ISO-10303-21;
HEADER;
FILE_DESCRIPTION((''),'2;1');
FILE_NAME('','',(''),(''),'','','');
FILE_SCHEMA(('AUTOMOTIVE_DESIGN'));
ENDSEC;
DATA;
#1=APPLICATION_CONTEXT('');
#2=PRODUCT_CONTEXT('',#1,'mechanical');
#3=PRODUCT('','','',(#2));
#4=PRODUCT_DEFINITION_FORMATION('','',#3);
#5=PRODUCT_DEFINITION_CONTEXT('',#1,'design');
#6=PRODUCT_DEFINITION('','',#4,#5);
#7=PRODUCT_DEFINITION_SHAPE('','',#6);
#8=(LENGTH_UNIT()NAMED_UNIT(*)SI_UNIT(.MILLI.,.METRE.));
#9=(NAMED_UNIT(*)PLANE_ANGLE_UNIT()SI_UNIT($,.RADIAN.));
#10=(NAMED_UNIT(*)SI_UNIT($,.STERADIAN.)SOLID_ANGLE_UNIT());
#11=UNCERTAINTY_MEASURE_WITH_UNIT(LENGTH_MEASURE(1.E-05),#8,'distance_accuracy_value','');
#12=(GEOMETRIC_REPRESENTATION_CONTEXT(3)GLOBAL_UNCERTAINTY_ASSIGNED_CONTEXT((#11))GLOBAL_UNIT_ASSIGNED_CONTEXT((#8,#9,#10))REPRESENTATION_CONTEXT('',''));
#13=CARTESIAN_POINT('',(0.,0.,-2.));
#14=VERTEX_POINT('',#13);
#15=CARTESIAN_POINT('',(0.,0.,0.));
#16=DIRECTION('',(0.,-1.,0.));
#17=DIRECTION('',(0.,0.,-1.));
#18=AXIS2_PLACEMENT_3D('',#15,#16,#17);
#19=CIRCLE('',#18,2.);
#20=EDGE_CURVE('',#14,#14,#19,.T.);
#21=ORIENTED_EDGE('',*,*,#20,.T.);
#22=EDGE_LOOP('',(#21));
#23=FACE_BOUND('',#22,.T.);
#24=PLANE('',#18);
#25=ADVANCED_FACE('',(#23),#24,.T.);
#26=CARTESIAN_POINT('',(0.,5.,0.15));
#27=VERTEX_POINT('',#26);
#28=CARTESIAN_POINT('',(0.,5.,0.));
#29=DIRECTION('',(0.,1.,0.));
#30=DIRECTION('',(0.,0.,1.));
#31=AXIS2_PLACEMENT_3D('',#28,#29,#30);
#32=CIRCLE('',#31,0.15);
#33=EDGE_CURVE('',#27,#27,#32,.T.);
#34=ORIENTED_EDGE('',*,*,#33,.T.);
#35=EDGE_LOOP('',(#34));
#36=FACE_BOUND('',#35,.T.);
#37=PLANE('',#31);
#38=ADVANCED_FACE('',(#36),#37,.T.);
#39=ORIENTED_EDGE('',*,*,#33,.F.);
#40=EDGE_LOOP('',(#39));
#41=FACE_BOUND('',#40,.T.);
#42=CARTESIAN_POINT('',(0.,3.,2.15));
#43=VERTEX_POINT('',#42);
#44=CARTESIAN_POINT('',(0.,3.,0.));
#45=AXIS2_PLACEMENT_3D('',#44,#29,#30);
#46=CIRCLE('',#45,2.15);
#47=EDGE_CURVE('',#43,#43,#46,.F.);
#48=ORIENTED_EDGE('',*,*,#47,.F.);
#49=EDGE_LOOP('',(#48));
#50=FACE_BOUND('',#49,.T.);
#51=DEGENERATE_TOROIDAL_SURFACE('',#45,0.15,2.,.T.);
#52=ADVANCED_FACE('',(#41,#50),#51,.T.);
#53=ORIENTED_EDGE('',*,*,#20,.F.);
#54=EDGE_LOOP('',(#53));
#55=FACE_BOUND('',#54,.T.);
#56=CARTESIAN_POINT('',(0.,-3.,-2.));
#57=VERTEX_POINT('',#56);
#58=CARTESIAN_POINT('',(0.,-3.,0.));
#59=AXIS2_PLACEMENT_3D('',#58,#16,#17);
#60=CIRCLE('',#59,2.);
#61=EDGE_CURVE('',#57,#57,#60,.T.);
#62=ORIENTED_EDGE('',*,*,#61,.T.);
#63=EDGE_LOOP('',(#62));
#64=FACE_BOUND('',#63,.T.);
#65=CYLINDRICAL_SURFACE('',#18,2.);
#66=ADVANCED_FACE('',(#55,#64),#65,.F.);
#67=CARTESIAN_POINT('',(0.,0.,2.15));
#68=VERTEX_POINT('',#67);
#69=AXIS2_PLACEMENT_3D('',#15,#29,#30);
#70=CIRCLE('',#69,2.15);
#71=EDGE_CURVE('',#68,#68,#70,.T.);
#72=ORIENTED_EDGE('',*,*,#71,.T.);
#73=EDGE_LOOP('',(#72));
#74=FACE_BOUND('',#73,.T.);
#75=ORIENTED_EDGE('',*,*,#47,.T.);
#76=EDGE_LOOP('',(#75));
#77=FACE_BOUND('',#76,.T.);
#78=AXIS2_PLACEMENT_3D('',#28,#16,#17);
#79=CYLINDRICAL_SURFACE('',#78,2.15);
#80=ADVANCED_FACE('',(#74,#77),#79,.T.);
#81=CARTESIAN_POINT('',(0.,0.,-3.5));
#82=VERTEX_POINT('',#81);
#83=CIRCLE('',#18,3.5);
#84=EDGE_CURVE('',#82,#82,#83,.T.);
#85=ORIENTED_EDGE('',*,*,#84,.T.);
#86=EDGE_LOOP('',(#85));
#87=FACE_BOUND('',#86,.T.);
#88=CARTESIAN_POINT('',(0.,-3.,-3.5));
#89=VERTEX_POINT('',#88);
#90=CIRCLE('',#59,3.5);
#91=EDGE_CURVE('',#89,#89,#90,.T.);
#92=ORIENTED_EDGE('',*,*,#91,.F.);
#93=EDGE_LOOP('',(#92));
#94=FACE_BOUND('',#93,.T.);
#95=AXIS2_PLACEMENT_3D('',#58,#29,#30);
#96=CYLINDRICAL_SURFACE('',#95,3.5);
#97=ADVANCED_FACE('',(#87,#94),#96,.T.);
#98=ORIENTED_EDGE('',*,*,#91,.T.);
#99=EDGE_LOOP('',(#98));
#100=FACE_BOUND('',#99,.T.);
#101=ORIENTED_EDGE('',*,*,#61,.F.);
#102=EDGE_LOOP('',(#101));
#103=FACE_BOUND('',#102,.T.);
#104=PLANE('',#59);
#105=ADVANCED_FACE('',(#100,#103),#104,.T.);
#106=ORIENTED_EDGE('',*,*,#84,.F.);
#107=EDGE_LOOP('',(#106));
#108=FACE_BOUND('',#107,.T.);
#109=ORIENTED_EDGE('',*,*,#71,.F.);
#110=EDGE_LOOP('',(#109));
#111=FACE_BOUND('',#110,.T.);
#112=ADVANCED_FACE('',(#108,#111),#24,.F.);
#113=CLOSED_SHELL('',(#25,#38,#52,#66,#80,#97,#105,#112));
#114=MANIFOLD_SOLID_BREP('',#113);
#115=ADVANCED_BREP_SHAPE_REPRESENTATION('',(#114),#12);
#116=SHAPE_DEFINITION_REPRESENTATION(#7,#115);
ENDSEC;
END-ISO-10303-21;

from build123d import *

# Parameters (mm, degrees)
SKETCH1_R           = 2.15
BOSS_EXTRUDE1_DEPTH = 5
SKETCH2_R           = 3.5
BOSS_EXTRUDE2_DEPTH = 3
SKETCH3_R           = 2
CUT_EXTRUDE1_DEPTH  = 3
FILLET1_R           = 2


with BuildPart() as part:
    # Sketch1 → Boss-Extrude1 (new body)
    with BuildSketch(Plane(origin=(0, 0, 0), x_dir=(1, 0, 0), z_dir=(0, 1, 0))):
        Circle(SKETCH1_R)
    extrude(amount=BOSS_EXTRUDE1_DEPTH)

    # Sketch2 → Boss-Extrude2 (add)
    with BuildSketch(Plane.XZ):
        Circle(SKETCH2_R)
    extrude(amount=BOSS_EXTRUDE2_DEPTH)

    # Sketch3 → Cut-Extrude1 (cut)
    with BuildSketch(Plane.XZ.offset(3)):
        Circle(SKETCH3_R)
    extrude(amount=-CUT_EXTRUDE1_DEPTH, mode=Mode.SUBTRACT)

    # Fillet1
    fillet1_edges = [part.edges().sort_by_distance(p)[0] for p in [
        (-2.15, 5, 0),
    ]]
    fillet(fillet1_edges, radius=FILLET1_R)


solid = part.part
